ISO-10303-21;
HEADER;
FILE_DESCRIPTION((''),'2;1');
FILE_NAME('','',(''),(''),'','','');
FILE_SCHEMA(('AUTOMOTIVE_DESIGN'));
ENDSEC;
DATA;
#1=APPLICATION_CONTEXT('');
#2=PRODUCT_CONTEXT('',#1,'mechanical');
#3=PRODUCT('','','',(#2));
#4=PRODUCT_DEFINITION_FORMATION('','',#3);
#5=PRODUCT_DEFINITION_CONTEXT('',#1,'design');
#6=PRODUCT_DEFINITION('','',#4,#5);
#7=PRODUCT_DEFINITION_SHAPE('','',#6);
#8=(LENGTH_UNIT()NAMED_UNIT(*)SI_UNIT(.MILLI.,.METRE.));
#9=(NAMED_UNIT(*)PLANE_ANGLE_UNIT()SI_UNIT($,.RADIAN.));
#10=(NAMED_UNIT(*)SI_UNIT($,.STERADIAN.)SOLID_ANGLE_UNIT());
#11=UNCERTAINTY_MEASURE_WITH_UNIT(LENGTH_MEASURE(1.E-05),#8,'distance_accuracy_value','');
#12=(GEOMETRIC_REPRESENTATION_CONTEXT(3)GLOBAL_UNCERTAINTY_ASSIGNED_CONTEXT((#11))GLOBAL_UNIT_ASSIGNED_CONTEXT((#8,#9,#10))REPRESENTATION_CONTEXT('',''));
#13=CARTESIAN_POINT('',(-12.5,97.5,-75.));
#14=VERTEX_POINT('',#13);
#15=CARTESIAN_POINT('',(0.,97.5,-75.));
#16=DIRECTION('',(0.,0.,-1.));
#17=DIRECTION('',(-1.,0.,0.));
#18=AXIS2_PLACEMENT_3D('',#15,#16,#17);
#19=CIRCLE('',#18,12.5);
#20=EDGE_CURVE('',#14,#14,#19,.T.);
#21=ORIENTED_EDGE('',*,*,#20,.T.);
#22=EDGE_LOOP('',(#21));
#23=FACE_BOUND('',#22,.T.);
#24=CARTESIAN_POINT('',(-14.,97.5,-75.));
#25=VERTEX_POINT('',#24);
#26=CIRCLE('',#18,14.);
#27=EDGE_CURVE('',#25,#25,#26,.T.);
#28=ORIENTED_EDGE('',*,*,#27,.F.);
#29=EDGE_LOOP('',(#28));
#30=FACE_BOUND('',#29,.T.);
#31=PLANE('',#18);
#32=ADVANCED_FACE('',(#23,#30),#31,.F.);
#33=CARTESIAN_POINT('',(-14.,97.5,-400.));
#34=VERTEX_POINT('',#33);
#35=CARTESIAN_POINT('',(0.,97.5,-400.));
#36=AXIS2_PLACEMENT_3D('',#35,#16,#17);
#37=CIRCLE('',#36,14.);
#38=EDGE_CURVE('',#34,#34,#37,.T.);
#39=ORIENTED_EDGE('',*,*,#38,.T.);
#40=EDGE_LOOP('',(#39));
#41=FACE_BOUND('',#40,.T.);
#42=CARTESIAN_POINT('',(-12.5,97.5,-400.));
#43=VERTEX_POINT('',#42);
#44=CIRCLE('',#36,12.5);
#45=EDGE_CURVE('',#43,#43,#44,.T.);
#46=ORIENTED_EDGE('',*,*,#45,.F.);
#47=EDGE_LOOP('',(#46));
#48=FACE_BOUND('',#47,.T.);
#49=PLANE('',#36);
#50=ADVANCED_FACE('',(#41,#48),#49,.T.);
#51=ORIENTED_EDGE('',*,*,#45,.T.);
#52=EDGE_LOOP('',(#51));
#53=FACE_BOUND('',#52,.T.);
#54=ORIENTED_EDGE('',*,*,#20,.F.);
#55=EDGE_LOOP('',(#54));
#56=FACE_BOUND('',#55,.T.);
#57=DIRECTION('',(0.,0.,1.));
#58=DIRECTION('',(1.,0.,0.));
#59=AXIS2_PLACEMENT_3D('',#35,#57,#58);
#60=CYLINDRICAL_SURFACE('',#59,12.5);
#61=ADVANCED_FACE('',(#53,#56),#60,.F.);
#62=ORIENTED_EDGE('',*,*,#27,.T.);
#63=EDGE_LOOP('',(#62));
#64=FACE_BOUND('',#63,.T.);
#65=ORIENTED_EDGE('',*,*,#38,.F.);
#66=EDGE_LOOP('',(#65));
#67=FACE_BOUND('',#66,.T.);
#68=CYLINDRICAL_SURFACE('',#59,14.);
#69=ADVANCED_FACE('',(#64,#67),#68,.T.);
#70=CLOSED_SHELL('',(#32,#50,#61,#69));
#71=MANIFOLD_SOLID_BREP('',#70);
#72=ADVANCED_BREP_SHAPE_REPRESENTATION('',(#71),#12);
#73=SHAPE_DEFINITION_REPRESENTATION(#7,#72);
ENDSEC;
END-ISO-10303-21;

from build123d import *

# Parameters (mm, degrees)
SKETCH1_R           = 14
SKETCH1_R_2         = 12.5
BOSS_EXTRUDE1_DEPTH = 325


with BuildPart() as part:
    # Sketch1 → Boss-Extrude1 (new body)
    with BuildSketch(Plane(origin=(0, 0, -75), x_dir=(-1, 0, 0), z_dir=(0, 0, -1))):
        with Locations((0, 97.5)):
            Circle(SKETCH1_R)
        with Locations((0, 97.5)):
            Circle(SKETCH1_R_2, mode=Mode.SUBTRACT)
    extrude(amount=BOSS_EXTRUDE1_DEPTH)


solid = part.part
